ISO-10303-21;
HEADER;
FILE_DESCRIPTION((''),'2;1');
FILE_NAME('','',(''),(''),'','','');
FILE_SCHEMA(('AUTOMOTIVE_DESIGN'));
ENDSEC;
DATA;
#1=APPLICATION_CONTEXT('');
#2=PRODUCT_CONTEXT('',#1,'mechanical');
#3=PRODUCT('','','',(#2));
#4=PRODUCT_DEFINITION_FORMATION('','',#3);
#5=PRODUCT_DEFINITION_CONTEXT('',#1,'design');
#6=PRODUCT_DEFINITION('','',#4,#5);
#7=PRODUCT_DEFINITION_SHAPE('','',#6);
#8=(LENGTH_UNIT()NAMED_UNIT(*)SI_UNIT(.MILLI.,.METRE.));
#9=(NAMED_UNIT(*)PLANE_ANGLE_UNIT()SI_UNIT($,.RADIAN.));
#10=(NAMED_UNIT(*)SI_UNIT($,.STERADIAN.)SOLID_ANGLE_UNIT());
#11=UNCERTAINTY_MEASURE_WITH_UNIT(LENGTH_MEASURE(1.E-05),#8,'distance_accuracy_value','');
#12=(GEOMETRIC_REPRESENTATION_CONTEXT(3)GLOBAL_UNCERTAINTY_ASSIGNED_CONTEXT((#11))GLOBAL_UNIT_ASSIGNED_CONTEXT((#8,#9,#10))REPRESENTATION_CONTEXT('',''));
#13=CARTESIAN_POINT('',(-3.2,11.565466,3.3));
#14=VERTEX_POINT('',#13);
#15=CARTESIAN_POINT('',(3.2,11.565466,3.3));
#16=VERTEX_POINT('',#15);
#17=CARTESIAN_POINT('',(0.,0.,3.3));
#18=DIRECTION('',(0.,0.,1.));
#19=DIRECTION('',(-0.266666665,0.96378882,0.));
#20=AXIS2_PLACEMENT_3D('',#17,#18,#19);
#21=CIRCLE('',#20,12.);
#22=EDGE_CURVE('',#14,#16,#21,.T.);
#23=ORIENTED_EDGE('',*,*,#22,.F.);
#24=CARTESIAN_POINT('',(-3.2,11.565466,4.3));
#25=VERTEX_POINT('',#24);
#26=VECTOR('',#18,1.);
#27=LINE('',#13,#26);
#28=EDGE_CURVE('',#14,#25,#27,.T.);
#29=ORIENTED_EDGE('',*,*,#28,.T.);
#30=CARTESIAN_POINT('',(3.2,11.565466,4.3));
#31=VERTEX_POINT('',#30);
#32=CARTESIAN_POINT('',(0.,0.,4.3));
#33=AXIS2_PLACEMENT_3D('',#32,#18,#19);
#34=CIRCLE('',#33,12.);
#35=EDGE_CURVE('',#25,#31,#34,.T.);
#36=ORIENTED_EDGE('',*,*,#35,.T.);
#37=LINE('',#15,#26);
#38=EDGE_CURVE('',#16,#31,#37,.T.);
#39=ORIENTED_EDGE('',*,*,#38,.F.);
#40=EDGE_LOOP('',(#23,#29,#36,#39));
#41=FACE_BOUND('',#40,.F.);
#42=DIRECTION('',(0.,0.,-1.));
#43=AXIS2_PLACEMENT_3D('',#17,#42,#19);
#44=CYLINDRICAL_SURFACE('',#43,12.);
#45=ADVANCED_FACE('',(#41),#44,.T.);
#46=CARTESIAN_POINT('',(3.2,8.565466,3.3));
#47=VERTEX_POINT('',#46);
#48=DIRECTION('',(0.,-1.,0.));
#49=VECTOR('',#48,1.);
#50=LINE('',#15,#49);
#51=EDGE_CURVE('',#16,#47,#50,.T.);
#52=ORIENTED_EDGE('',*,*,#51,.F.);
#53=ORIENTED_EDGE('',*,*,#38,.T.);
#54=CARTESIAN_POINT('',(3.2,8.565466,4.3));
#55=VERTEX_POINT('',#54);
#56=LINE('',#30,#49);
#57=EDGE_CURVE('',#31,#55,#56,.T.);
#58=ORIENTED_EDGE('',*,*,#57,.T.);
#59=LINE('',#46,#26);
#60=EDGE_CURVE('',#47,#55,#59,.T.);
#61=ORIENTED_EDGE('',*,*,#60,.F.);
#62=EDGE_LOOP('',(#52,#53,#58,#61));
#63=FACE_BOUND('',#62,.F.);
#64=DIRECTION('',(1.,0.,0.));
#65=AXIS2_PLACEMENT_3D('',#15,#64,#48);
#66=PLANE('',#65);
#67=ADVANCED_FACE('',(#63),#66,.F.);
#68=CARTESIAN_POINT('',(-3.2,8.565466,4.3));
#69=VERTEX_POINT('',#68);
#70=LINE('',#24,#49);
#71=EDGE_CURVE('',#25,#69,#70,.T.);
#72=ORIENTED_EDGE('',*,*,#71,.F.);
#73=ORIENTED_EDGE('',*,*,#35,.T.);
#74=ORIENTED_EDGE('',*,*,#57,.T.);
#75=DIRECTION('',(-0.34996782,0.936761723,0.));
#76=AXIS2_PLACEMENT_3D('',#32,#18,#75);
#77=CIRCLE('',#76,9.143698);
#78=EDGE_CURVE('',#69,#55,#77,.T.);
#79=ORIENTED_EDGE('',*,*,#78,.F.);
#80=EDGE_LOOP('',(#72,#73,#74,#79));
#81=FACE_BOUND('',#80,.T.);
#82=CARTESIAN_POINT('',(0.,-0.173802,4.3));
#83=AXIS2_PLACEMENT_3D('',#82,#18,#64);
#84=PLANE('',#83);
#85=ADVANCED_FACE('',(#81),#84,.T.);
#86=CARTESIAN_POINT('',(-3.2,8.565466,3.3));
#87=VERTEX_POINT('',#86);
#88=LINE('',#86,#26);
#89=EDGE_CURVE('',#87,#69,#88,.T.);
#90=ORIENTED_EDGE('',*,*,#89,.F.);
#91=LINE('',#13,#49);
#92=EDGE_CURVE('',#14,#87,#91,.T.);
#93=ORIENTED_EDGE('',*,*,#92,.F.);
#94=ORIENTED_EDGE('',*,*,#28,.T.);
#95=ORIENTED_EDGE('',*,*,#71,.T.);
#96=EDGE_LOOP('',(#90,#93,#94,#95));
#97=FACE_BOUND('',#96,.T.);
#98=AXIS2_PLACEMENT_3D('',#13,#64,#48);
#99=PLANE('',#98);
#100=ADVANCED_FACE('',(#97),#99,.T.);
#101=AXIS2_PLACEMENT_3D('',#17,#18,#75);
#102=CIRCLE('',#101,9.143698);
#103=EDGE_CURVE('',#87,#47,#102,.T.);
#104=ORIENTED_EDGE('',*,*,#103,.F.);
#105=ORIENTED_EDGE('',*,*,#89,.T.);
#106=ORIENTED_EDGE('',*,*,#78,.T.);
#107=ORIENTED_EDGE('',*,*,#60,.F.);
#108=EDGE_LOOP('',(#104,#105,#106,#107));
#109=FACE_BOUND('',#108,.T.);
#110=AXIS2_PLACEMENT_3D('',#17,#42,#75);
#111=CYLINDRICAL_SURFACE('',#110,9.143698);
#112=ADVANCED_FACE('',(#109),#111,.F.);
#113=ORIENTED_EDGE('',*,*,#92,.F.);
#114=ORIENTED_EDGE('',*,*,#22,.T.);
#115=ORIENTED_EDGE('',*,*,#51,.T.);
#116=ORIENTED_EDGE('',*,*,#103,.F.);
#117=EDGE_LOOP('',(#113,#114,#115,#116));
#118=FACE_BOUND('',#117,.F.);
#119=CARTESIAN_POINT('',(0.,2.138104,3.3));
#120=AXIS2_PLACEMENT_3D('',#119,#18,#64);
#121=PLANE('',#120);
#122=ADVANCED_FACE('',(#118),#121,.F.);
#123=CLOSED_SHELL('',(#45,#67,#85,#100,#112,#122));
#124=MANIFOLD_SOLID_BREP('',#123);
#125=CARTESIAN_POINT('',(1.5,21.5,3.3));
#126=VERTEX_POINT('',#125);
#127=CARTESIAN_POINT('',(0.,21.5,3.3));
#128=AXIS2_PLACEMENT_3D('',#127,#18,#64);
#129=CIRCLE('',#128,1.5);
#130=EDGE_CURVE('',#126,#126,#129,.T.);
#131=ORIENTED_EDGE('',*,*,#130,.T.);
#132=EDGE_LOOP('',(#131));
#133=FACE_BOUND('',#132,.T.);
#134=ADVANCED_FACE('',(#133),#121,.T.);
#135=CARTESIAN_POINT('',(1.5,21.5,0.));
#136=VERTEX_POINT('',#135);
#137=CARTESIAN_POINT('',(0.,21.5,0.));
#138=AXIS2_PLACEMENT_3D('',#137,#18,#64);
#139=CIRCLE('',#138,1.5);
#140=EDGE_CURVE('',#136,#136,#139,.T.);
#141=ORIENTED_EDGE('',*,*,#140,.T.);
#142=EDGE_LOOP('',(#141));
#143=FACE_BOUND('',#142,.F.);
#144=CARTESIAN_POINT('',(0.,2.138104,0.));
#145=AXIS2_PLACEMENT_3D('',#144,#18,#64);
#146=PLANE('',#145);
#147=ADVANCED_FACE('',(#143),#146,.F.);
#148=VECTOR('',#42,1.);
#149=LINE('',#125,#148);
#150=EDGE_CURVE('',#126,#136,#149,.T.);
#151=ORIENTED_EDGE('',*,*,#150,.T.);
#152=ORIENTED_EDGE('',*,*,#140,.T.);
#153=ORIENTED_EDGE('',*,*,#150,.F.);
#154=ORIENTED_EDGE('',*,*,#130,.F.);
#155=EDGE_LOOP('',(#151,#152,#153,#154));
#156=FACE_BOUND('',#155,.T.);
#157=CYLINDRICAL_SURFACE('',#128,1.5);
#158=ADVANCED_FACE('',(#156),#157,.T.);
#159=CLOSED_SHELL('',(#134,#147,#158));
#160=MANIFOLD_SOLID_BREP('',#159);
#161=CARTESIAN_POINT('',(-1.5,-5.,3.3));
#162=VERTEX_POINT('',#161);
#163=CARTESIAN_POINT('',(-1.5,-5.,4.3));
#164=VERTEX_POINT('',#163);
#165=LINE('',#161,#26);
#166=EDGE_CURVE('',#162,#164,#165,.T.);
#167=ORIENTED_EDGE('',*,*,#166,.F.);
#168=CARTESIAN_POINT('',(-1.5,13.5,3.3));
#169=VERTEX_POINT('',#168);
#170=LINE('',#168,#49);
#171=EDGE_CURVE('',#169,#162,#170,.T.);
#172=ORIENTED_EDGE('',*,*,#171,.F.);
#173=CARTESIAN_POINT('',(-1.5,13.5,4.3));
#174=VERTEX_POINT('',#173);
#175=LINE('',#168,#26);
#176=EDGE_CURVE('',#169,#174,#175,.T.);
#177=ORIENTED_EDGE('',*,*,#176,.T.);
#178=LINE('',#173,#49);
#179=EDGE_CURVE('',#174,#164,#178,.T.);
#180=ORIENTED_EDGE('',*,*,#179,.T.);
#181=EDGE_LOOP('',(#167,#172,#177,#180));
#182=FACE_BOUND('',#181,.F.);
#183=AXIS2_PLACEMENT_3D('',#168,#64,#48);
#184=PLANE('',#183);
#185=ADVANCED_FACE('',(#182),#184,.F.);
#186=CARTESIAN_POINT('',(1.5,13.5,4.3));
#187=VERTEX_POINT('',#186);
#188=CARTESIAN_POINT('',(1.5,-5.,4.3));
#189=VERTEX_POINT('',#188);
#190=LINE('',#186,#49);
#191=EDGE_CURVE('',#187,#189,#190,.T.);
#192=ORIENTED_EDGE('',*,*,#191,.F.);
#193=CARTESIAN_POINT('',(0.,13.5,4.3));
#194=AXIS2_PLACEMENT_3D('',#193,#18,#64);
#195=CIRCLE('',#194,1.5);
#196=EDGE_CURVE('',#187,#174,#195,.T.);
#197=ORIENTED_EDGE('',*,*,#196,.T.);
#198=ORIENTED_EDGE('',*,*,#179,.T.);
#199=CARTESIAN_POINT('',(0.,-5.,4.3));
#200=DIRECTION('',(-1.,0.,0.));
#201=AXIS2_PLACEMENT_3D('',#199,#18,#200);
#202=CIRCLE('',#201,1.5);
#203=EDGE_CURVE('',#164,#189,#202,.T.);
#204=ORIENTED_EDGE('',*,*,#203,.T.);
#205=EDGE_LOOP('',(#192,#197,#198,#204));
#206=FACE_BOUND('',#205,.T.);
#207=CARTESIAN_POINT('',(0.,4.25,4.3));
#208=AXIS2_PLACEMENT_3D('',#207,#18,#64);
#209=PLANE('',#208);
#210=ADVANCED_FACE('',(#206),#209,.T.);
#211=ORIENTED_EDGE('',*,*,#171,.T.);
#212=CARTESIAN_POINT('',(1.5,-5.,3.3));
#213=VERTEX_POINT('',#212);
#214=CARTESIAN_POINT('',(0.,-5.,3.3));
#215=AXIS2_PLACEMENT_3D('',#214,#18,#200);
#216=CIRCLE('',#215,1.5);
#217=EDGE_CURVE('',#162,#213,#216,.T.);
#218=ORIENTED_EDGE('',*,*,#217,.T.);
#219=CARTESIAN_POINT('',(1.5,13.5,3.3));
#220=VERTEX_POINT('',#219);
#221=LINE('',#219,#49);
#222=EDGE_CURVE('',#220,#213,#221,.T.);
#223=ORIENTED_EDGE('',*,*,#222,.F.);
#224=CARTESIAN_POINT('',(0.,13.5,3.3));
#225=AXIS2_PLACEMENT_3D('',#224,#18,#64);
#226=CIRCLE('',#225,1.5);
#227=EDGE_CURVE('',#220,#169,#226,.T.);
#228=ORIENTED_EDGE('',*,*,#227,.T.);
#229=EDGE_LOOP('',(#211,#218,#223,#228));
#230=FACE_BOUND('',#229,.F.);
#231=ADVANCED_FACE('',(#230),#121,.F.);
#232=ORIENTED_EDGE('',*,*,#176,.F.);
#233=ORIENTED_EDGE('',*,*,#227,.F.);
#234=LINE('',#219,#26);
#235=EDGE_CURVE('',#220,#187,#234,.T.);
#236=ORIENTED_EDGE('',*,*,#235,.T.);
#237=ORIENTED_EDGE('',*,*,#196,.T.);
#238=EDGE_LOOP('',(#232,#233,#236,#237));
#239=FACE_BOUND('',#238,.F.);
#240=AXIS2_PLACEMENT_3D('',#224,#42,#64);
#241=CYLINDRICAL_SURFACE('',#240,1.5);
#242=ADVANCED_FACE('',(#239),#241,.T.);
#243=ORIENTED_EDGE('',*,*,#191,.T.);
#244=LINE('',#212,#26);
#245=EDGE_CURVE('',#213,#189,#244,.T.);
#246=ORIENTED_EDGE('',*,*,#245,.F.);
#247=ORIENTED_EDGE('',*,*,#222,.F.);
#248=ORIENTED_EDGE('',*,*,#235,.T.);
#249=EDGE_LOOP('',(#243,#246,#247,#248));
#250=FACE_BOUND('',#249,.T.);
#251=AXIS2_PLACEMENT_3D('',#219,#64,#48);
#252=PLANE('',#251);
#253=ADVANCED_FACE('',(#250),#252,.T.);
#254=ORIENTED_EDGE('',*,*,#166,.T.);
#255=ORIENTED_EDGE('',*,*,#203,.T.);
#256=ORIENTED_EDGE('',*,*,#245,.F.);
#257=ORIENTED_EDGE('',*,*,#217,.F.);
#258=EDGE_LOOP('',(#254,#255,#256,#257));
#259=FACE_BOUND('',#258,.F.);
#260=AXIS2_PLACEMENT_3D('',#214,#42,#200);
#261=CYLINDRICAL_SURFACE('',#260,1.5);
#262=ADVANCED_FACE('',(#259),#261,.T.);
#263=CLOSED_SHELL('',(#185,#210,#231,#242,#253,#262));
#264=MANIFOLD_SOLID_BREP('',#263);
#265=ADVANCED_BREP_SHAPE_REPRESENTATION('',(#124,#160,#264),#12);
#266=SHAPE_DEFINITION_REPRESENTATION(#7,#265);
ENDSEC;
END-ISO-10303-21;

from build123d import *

# Parameters (mm, degrees)
EXTRUDE_DEPTH   = 3.3
SKETCH003_R     = 1.5
POCKET001_DEPTH = 3.301
PAD_DEPTH       = 1


with BuildPart() as casino_chip:
    # Sketch → Extrude (new body)
    with BuildSketch(Plane.XY):
        with BuildLine():
            ThreePointArc((3.5, 21.5), (0, 25), (-3.5, 21.5))
            Line((-3.5, 21.5), (-3.5, 19.691369))
            ThreePointArc((-3.5, 19.691369), (0, -20), (3.5, 19.691369))
            Line((3.5, 19.691369), (3.5, 21.5))
        make_face()
    extrude(amount=EXTRUDE_DEPTH)


with BuildPart() as pocket001:
    # Pocket001 base: copy of casino-chip
    add(casino_chip.part)

    # Sketch003 → Pocket001 (cut, through all)
    with BuildSketch(Plane.XY.offset(3.3)):
        with Locations((0, 21.5)):
            Circle(SKETCH003_R)
    extrude(amount=-POCKET001_DEPTH, mode=Mode.SUBTRACT)


with BuildPart() as cut001:
    # Pad base: copy of casino-chip
    add(casino_chip.part)

    # Sketch002 → Pad (new body)
    with BuildSketch(Plane.XY.offset(3.3)):
        with BuildLine():
            ThreePointArc((1.5, 13.5), (0, 15), (-1.5, 13.5))
            Line((-1.5, 13.5), (-1.5, -5))
            ThreePointArc((-1.5, -5), (0, -6.5), (1.5, -5))
            Line((1.5, 13.5), (1.5, -5))
        make_face()
        with BuildLine():
            ThreePointArc((-3.2, 11.565466), (0, -12), (3.2, 11.565466))
            Line((3.2, 11.565466), (3.2, 8.565466))
            ThreePointArc((-3.2, 8.565466), (0, -9.143698), (3.2, 8.565466))
            Line((-3.2, 11.565466), (-3.2, 8.565466))
        make_face()
    extrude(amount=PAD_DEPTH)

    # Cut001: cut Pocket001
    add(pocket001.part, mode=Mode.SUBTRACT)


solid = cut001.part
